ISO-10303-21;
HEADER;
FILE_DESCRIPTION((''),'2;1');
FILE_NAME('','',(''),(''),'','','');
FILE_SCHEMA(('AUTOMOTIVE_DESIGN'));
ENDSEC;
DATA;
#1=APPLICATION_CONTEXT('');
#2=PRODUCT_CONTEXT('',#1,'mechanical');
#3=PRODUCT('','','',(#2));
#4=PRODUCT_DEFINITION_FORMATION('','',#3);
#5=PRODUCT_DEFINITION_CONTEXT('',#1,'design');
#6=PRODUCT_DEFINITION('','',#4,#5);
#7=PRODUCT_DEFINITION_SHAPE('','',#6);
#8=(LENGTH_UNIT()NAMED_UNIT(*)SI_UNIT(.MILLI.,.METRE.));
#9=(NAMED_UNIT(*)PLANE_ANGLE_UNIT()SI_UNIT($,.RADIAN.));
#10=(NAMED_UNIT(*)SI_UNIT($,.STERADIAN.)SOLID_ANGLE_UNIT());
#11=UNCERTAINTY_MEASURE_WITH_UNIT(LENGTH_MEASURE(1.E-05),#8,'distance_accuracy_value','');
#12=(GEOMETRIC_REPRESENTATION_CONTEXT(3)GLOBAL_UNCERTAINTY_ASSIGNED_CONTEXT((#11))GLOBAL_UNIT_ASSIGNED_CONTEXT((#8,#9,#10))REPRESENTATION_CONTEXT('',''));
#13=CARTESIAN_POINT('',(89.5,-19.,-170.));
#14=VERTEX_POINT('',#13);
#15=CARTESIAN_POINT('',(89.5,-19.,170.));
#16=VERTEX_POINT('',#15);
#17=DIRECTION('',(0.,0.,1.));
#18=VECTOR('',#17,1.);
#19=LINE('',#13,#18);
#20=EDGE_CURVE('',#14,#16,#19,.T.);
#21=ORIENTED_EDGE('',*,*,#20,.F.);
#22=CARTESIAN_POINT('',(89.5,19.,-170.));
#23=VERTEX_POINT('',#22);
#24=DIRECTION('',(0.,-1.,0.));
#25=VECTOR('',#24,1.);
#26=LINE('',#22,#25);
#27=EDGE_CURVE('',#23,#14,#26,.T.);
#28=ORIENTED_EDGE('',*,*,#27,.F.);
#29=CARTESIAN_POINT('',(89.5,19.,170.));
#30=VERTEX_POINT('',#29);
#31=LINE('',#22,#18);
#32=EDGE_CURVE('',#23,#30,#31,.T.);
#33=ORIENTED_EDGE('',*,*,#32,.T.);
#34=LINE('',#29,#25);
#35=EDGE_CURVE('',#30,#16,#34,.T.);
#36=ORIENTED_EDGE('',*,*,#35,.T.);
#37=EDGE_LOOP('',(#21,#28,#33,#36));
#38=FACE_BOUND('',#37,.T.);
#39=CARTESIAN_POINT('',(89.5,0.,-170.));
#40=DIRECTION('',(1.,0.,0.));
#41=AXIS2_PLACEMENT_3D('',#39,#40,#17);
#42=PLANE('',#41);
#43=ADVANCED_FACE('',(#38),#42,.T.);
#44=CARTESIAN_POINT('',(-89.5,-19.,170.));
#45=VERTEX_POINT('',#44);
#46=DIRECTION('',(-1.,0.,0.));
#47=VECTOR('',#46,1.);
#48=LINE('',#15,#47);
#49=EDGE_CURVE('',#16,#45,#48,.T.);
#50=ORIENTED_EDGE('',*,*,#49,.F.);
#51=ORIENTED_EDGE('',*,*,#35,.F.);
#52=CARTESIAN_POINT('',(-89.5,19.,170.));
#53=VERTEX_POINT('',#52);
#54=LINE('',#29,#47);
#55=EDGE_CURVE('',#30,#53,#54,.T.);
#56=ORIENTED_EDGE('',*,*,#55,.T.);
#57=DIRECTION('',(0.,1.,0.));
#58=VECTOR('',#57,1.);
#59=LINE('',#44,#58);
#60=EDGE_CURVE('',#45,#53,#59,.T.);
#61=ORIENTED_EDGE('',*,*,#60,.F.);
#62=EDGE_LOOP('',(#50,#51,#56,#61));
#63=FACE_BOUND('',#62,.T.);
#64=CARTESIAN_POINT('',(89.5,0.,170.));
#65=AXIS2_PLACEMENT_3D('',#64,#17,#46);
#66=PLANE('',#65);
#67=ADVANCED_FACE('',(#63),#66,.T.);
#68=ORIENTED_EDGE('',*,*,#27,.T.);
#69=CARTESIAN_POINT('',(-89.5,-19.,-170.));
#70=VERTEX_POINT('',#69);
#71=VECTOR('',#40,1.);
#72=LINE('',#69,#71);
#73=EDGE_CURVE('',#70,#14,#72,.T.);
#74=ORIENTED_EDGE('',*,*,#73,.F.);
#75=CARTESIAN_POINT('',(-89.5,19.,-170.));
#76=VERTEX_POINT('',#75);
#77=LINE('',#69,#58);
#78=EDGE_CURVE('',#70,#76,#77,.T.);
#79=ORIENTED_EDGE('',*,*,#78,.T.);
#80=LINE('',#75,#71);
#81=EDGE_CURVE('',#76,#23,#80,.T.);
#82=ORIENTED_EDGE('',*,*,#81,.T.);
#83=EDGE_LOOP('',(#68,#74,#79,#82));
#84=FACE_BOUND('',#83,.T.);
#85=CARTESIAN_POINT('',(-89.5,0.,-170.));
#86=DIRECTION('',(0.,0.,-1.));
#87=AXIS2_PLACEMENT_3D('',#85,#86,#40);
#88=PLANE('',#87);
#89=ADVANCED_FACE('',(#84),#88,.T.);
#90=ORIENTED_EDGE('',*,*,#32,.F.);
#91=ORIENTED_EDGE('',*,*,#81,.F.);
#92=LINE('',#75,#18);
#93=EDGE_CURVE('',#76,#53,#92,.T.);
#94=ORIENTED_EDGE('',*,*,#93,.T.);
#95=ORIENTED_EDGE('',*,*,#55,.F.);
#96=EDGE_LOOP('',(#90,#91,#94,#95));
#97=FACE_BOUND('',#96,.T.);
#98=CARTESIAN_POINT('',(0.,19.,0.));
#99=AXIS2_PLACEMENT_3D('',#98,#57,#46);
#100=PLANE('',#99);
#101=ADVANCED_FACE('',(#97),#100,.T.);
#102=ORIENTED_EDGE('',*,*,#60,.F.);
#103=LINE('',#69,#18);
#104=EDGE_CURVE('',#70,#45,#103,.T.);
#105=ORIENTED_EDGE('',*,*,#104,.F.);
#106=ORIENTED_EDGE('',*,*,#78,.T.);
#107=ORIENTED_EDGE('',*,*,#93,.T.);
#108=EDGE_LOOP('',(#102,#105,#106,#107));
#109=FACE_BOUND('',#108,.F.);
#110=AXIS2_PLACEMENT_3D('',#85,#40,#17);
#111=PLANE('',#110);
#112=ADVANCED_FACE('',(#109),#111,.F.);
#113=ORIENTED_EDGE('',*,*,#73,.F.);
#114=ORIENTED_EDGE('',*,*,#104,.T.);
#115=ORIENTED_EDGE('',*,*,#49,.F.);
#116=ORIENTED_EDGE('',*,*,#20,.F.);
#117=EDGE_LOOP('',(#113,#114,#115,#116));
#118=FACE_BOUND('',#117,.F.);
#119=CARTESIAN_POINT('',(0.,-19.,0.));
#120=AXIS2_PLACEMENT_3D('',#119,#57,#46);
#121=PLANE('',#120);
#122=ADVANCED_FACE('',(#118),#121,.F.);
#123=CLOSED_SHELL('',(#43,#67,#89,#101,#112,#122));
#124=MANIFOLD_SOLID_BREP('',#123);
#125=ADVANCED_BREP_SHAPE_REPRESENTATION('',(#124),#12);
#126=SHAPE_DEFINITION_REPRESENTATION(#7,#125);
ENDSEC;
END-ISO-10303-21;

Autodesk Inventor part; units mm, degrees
ref_plane "YZ Plane" through (0, 0, 0) normal (1, 0, 0) x (0, 1, 0)
ref_plane "XZ Plane" through (0, 0, 0) normal (0, 1, 0) x (-1, 0, 0)
ref_plane "XY Plane" through (0, 0, 0) normal (0, 0, 1) x (1, 0, 0)
sketch "Sketch5" plane through (0, 0, 0) normal (0, 1, 0) x (-1, 0, 0)
  line L0 (89.5, -170) -> (89.5, 170)
  line L1 (-89.5, 170) -> (89.5, 170)
  line L2 (-89.5, -170) -> (-89.5, 170)
  line L3 (89.5, -170) -> (-89.5, -170)
  point P0 (0, 0)
  point P1 (0, 0)
  point P2 (70, 0)
  dimension "d8" = 340
  dimension "d9" = 179
  dimension "d26" = 89.5
  dimension "d27" = 170
extrude "Extrusion5" add sketch "Sketch5" along normal mid plane 38
equation "\"d26\" = 0.5 * d9"
equation "\"d27\" = 0.5 * d8"
properties part number "BLANK-BC-10004" material "Aço Carbono"
